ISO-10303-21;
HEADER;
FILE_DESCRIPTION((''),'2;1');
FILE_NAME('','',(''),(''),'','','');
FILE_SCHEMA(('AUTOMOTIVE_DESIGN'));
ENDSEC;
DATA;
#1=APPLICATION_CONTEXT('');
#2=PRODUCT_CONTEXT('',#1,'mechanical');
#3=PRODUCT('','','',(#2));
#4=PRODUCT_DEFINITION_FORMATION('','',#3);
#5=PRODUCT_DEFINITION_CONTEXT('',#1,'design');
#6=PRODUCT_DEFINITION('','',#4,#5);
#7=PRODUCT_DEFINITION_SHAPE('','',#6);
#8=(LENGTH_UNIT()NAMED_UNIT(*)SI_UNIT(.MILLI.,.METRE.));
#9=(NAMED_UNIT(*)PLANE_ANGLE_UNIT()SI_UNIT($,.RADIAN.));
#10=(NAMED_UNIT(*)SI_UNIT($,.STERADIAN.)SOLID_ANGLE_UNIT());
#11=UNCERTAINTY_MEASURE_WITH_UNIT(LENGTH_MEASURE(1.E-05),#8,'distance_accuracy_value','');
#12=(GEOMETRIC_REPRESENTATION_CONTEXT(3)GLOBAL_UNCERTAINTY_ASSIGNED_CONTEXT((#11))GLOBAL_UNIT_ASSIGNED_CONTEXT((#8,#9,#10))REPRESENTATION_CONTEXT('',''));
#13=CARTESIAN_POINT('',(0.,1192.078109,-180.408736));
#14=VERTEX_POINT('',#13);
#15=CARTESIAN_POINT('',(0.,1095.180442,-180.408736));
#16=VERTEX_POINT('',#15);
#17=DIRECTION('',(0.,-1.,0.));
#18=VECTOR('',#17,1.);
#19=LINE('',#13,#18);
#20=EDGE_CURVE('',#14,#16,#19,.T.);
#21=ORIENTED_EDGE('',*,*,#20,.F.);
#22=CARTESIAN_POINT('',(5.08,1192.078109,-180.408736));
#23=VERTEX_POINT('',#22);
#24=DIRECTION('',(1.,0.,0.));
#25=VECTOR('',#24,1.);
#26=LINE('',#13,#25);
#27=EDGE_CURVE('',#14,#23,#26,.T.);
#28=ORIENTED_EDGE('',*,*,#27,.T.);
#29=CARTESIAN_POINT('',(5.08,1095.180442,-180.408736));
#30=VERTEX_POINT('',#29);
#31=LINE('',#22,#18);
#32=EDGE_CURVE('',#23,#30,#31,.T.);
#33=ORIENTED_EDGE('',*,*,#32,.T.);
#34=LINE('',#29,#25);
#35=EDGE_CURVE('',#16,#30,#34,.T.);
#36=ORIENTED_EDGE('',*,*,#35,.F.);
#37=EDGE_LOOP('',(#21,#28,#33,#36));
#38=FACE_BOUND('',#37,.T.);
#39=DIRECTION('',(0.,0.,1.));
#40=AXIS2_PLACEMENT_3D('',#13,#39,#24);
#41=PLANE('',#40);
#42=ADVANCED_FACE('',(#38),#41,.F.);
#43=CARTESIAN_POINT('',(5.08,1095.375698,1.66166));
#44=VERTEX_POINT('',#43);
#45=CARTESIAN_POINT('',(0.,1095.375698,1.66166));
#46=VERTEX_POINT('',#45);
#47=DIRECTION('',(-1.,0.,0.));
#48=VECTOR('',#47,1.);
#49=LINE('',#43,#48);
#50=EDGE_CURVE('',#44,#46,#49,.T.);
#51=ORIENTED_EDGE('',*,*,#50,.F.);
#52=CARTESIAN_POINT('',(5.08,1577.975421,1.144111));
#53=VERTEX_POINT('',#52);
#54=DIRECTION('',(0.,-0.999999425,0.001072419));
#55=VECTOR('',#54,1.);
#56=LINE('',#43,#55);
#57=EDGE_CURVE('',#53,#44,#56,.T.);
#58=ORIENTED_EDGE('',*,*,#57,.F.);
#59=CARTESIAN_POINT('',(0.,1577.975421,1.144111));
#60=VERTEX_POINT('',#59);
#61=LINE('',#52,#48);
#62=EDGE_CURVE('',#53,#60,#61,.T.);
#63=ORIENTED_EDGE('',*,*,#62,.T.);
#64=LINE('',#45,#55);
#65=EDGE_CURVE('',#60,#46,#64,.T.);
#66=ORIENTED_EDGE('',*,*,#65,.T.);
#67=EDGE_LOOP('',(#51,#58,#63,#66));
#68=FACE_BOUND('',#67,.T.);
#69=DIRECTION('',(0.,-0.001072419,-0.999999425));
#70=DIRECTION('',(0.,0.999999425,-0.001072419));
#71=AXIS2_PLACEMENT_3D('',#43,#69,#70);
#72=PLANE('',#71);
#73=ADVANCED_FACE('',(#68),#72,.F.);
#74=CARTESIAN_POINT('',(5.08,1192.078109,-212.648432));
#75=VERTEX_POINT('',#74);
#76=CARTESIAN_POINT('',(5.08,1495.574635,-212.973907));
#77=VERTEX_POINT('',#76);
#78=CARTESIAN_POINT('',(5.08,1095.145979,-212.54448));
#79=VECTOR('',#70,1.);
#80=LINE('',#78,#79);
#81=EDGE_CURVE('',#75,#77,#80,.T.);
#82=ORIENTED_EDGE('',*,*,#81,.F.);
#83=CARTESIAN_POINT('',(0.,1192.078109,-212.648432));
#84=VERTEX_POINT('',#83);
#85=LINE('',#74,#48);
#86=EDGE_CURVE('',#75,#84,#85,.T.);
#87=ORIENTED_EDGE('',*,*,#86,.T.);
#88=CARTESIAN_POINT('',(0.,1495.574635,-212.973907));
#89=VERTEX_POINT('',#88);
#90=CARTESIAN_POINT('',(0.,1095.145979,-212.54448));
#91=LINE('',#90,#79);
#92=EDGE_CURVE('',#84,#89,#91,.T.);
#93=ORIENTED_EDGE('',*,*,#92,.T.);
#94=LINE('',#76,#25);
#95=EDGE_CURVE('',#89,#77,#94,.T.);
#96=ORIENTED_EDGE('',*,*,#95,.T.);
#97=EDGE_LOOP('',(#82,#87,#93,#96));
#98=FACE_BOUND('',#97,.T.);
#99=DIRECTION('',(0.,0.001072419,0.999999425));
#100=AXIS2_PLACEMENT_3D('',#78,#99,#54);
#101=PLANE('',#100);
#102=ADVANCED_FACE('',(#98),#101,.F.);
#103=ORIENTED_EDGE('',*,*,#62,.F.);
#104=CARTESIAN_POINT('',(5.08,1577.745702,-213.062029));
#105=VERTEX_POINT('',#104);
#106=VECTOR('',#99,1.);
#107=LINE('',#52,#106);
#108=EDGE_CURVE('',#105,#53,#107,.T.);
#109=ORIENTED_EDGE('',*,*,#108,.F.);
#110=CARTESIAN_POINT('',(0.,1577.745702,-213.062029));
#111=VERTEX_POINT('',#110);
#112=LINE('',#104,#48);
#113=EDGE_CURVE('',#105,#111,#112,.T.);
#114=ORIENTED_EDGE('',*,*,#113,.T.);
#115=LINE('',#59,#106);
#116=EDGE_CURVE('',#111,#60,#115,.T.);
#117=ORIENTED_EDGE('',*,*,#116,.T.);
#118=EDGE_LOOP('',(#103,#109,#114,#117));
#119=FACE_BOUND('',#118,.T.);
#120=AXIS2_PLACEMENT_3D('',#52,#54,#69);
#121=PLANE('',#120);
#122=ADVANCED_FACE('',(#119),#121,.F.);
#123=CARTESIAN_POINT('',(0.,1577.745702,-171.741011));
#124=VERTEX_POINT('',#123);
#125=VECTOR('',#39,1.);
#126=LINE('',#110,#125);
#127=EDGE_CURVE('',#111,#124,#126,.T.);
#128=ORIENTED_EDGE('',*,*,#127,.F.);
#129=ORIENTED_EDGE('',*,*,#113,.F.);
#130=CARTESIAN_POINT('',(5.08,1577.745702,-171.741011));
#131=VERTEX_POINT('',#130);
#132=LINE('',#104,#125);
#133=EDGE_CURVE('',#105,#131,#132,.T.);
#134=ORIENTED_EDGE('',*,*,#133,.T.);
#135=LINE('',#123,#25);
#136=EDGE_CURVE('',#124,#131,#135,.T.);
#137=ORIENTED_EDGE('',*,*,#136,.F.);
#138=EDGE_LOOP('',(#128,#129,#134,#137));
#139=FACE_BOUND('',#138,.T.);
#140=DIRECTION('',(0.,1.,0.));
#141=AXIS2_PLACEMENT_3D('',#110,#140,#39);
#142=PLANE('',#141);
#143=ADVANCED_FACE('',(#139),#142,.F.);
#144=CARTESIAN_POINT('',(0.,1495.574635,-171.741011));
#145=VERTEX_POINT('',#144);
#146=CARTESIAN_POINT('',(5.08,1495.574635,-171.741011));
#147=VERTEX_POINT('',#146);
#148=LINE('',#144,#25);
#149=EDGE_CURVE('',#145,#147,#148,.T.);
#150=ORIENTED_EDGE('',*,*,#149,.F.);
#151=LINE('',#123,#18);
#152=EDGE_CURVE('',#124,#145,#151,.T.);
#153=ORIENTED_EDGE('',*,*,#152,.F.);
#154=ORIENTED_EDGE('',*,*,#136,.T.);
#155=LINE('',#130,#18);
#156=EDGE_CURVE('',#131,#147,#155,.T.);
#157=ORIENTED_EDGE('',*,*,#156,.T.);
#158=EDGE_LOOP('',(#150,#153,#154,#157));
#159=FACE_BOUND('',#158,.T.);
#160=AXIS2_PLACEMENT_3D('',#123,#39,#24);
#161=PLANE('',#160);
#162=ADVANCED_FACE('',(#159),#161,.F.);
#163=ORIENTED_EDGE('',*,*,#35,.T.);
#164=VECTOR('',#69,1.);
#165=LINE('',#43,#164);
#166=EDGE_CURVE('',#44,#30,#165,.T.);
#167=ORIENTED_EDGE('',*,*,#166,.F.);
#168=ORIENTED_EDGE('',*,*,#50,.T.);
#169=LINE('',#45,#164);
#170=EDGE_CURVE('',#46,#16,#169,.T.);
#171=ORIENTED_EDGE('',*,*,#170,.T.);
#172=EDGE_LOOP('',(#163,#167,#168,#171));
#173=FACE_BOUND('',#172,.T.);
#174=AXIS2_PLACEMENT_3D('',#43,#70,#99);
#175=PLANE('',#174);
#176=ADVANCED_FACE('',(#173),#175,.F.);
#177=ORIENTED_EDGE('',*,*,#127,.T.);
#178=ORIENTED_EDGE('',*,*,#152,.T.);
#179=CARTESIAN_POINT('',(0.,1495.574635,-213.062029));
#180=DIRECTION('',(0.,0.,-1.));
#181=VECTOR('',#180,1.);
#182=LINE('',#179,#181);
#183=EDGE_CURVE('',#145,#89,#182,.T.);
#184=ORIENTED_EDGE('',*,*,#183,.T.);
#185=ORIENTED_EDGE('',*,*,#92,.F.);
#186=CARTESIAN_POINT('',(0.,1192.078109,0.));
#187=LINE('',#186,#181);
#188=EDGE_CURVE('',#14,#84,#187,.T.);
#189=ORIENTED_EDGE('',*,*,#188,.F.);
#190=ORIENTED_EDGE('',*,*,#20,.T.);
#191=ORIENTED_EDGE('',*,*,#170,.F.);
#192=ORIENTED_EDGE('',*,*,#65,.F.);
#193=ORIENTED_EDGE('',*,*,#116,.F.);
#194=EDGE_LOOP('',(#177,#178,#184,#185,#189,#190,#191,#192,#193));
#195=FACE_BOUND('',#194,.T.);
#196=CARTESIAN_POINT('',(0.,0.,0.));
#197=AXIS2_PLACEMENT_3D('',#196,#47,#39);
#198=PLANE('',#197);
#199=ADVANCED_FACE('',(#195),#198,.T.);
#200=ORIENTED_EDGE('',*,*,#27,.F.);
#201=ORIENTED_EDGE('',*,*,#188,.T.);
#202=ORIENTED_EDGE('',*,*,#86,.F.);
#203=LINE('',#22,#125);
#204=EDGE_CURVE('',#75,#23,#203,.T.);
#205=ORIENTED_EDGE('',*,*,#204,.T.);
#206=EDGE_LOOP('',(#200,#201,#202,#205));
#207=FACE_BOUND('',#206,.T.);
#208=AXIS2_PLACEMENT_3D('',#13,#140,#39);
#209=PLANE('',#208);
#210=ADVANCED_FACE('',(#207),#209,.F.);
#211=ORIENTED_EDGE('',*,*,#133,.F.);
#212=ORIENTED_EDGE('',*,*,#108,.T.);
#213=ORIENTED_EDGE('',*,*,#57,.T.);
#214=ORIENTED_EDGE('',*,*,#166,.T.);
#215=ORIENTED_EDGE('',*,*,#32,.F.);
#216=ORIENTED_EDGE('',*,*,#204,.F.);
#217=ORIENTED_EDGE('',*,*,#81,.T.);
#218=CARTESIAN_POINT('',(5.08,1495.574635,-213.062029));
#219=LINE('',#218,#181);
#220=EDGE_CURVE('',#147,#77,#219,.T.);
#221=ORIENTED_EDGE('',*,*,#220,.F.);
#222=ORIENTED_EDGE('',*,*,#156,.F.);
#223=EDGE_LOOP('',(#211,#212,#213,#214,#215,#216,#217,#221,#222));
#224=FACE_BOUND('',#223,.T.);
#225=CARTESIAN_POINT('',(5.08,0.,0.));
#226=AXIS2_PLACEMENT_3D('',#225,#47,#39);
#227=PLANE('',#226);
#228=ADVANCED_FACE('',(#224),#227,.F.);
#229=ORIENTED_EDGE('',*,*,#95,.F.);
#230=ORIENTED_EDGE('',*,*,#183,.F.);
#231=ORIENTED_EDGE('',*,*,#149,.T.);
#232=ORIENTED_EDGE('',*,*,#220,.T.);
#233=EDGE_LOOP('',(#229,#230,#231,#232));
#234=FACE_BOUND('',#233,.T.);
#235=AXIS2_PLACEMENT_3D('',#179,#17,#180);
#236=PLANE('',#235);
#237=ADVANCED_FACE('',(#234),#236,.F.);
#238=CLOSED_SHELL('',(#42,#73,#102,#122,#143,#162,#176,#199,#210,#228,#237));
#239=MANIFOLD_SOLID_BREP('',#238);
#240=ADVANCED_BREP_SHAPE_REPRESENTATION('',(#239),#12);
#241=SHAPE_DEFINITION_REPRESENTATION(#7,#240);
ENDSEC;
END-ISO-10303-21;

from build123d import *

# Parameters (mm, degrees)
BOSS_EXTRUDE1_DEPTH = 5.08
SKETCH11_W          = 41.321018404
SKETCH11_H          = 82.171066474
SKETCH11_W_2        = 64.858701062
SKETCH11_H_2        = 131.277002868
CUT_EXTRUDE1_DEPTH  = 1593.302629235


with BuildPart() as part:
    # Sketch5 → Boss-Extrude1 (new body)
    with BuildSketch(Plane(origin=(0, 0, 0), x_dir=(0, 0, -1), z_dir=(1, 0, 0))):
        Polygon((-1.661660189, 1095.375698265), (212.544479643, 1095.145979446), (213.062028944, 1577.745701931), (-1.144110888, 1577.97542075), align=None)
    extrude(amount=BOSS_EXTRUDE1_DEPTH)

    # Sketch11 → Cut-Extrude1 (cut, through all)
    with BuildSketch(Plane(origin=(5.08, 0, 0), x_dir=(0, 0, -1), z_dir=(1, 0, 0))):
        with Locations((192.401519742, 1536.660168694)):
            Rectangle(SKETCH11_W, SKETCH11_H)
        with Locations((212.838086125, 1126.439608027)):
            Rectangle(SKETCH11_W_2, SKETCH11_H_2)
    extrude(amount=-CUT_EXTRUDE1_DEPTH, mode=Mode.SUBTRACT)


solid = part.part
